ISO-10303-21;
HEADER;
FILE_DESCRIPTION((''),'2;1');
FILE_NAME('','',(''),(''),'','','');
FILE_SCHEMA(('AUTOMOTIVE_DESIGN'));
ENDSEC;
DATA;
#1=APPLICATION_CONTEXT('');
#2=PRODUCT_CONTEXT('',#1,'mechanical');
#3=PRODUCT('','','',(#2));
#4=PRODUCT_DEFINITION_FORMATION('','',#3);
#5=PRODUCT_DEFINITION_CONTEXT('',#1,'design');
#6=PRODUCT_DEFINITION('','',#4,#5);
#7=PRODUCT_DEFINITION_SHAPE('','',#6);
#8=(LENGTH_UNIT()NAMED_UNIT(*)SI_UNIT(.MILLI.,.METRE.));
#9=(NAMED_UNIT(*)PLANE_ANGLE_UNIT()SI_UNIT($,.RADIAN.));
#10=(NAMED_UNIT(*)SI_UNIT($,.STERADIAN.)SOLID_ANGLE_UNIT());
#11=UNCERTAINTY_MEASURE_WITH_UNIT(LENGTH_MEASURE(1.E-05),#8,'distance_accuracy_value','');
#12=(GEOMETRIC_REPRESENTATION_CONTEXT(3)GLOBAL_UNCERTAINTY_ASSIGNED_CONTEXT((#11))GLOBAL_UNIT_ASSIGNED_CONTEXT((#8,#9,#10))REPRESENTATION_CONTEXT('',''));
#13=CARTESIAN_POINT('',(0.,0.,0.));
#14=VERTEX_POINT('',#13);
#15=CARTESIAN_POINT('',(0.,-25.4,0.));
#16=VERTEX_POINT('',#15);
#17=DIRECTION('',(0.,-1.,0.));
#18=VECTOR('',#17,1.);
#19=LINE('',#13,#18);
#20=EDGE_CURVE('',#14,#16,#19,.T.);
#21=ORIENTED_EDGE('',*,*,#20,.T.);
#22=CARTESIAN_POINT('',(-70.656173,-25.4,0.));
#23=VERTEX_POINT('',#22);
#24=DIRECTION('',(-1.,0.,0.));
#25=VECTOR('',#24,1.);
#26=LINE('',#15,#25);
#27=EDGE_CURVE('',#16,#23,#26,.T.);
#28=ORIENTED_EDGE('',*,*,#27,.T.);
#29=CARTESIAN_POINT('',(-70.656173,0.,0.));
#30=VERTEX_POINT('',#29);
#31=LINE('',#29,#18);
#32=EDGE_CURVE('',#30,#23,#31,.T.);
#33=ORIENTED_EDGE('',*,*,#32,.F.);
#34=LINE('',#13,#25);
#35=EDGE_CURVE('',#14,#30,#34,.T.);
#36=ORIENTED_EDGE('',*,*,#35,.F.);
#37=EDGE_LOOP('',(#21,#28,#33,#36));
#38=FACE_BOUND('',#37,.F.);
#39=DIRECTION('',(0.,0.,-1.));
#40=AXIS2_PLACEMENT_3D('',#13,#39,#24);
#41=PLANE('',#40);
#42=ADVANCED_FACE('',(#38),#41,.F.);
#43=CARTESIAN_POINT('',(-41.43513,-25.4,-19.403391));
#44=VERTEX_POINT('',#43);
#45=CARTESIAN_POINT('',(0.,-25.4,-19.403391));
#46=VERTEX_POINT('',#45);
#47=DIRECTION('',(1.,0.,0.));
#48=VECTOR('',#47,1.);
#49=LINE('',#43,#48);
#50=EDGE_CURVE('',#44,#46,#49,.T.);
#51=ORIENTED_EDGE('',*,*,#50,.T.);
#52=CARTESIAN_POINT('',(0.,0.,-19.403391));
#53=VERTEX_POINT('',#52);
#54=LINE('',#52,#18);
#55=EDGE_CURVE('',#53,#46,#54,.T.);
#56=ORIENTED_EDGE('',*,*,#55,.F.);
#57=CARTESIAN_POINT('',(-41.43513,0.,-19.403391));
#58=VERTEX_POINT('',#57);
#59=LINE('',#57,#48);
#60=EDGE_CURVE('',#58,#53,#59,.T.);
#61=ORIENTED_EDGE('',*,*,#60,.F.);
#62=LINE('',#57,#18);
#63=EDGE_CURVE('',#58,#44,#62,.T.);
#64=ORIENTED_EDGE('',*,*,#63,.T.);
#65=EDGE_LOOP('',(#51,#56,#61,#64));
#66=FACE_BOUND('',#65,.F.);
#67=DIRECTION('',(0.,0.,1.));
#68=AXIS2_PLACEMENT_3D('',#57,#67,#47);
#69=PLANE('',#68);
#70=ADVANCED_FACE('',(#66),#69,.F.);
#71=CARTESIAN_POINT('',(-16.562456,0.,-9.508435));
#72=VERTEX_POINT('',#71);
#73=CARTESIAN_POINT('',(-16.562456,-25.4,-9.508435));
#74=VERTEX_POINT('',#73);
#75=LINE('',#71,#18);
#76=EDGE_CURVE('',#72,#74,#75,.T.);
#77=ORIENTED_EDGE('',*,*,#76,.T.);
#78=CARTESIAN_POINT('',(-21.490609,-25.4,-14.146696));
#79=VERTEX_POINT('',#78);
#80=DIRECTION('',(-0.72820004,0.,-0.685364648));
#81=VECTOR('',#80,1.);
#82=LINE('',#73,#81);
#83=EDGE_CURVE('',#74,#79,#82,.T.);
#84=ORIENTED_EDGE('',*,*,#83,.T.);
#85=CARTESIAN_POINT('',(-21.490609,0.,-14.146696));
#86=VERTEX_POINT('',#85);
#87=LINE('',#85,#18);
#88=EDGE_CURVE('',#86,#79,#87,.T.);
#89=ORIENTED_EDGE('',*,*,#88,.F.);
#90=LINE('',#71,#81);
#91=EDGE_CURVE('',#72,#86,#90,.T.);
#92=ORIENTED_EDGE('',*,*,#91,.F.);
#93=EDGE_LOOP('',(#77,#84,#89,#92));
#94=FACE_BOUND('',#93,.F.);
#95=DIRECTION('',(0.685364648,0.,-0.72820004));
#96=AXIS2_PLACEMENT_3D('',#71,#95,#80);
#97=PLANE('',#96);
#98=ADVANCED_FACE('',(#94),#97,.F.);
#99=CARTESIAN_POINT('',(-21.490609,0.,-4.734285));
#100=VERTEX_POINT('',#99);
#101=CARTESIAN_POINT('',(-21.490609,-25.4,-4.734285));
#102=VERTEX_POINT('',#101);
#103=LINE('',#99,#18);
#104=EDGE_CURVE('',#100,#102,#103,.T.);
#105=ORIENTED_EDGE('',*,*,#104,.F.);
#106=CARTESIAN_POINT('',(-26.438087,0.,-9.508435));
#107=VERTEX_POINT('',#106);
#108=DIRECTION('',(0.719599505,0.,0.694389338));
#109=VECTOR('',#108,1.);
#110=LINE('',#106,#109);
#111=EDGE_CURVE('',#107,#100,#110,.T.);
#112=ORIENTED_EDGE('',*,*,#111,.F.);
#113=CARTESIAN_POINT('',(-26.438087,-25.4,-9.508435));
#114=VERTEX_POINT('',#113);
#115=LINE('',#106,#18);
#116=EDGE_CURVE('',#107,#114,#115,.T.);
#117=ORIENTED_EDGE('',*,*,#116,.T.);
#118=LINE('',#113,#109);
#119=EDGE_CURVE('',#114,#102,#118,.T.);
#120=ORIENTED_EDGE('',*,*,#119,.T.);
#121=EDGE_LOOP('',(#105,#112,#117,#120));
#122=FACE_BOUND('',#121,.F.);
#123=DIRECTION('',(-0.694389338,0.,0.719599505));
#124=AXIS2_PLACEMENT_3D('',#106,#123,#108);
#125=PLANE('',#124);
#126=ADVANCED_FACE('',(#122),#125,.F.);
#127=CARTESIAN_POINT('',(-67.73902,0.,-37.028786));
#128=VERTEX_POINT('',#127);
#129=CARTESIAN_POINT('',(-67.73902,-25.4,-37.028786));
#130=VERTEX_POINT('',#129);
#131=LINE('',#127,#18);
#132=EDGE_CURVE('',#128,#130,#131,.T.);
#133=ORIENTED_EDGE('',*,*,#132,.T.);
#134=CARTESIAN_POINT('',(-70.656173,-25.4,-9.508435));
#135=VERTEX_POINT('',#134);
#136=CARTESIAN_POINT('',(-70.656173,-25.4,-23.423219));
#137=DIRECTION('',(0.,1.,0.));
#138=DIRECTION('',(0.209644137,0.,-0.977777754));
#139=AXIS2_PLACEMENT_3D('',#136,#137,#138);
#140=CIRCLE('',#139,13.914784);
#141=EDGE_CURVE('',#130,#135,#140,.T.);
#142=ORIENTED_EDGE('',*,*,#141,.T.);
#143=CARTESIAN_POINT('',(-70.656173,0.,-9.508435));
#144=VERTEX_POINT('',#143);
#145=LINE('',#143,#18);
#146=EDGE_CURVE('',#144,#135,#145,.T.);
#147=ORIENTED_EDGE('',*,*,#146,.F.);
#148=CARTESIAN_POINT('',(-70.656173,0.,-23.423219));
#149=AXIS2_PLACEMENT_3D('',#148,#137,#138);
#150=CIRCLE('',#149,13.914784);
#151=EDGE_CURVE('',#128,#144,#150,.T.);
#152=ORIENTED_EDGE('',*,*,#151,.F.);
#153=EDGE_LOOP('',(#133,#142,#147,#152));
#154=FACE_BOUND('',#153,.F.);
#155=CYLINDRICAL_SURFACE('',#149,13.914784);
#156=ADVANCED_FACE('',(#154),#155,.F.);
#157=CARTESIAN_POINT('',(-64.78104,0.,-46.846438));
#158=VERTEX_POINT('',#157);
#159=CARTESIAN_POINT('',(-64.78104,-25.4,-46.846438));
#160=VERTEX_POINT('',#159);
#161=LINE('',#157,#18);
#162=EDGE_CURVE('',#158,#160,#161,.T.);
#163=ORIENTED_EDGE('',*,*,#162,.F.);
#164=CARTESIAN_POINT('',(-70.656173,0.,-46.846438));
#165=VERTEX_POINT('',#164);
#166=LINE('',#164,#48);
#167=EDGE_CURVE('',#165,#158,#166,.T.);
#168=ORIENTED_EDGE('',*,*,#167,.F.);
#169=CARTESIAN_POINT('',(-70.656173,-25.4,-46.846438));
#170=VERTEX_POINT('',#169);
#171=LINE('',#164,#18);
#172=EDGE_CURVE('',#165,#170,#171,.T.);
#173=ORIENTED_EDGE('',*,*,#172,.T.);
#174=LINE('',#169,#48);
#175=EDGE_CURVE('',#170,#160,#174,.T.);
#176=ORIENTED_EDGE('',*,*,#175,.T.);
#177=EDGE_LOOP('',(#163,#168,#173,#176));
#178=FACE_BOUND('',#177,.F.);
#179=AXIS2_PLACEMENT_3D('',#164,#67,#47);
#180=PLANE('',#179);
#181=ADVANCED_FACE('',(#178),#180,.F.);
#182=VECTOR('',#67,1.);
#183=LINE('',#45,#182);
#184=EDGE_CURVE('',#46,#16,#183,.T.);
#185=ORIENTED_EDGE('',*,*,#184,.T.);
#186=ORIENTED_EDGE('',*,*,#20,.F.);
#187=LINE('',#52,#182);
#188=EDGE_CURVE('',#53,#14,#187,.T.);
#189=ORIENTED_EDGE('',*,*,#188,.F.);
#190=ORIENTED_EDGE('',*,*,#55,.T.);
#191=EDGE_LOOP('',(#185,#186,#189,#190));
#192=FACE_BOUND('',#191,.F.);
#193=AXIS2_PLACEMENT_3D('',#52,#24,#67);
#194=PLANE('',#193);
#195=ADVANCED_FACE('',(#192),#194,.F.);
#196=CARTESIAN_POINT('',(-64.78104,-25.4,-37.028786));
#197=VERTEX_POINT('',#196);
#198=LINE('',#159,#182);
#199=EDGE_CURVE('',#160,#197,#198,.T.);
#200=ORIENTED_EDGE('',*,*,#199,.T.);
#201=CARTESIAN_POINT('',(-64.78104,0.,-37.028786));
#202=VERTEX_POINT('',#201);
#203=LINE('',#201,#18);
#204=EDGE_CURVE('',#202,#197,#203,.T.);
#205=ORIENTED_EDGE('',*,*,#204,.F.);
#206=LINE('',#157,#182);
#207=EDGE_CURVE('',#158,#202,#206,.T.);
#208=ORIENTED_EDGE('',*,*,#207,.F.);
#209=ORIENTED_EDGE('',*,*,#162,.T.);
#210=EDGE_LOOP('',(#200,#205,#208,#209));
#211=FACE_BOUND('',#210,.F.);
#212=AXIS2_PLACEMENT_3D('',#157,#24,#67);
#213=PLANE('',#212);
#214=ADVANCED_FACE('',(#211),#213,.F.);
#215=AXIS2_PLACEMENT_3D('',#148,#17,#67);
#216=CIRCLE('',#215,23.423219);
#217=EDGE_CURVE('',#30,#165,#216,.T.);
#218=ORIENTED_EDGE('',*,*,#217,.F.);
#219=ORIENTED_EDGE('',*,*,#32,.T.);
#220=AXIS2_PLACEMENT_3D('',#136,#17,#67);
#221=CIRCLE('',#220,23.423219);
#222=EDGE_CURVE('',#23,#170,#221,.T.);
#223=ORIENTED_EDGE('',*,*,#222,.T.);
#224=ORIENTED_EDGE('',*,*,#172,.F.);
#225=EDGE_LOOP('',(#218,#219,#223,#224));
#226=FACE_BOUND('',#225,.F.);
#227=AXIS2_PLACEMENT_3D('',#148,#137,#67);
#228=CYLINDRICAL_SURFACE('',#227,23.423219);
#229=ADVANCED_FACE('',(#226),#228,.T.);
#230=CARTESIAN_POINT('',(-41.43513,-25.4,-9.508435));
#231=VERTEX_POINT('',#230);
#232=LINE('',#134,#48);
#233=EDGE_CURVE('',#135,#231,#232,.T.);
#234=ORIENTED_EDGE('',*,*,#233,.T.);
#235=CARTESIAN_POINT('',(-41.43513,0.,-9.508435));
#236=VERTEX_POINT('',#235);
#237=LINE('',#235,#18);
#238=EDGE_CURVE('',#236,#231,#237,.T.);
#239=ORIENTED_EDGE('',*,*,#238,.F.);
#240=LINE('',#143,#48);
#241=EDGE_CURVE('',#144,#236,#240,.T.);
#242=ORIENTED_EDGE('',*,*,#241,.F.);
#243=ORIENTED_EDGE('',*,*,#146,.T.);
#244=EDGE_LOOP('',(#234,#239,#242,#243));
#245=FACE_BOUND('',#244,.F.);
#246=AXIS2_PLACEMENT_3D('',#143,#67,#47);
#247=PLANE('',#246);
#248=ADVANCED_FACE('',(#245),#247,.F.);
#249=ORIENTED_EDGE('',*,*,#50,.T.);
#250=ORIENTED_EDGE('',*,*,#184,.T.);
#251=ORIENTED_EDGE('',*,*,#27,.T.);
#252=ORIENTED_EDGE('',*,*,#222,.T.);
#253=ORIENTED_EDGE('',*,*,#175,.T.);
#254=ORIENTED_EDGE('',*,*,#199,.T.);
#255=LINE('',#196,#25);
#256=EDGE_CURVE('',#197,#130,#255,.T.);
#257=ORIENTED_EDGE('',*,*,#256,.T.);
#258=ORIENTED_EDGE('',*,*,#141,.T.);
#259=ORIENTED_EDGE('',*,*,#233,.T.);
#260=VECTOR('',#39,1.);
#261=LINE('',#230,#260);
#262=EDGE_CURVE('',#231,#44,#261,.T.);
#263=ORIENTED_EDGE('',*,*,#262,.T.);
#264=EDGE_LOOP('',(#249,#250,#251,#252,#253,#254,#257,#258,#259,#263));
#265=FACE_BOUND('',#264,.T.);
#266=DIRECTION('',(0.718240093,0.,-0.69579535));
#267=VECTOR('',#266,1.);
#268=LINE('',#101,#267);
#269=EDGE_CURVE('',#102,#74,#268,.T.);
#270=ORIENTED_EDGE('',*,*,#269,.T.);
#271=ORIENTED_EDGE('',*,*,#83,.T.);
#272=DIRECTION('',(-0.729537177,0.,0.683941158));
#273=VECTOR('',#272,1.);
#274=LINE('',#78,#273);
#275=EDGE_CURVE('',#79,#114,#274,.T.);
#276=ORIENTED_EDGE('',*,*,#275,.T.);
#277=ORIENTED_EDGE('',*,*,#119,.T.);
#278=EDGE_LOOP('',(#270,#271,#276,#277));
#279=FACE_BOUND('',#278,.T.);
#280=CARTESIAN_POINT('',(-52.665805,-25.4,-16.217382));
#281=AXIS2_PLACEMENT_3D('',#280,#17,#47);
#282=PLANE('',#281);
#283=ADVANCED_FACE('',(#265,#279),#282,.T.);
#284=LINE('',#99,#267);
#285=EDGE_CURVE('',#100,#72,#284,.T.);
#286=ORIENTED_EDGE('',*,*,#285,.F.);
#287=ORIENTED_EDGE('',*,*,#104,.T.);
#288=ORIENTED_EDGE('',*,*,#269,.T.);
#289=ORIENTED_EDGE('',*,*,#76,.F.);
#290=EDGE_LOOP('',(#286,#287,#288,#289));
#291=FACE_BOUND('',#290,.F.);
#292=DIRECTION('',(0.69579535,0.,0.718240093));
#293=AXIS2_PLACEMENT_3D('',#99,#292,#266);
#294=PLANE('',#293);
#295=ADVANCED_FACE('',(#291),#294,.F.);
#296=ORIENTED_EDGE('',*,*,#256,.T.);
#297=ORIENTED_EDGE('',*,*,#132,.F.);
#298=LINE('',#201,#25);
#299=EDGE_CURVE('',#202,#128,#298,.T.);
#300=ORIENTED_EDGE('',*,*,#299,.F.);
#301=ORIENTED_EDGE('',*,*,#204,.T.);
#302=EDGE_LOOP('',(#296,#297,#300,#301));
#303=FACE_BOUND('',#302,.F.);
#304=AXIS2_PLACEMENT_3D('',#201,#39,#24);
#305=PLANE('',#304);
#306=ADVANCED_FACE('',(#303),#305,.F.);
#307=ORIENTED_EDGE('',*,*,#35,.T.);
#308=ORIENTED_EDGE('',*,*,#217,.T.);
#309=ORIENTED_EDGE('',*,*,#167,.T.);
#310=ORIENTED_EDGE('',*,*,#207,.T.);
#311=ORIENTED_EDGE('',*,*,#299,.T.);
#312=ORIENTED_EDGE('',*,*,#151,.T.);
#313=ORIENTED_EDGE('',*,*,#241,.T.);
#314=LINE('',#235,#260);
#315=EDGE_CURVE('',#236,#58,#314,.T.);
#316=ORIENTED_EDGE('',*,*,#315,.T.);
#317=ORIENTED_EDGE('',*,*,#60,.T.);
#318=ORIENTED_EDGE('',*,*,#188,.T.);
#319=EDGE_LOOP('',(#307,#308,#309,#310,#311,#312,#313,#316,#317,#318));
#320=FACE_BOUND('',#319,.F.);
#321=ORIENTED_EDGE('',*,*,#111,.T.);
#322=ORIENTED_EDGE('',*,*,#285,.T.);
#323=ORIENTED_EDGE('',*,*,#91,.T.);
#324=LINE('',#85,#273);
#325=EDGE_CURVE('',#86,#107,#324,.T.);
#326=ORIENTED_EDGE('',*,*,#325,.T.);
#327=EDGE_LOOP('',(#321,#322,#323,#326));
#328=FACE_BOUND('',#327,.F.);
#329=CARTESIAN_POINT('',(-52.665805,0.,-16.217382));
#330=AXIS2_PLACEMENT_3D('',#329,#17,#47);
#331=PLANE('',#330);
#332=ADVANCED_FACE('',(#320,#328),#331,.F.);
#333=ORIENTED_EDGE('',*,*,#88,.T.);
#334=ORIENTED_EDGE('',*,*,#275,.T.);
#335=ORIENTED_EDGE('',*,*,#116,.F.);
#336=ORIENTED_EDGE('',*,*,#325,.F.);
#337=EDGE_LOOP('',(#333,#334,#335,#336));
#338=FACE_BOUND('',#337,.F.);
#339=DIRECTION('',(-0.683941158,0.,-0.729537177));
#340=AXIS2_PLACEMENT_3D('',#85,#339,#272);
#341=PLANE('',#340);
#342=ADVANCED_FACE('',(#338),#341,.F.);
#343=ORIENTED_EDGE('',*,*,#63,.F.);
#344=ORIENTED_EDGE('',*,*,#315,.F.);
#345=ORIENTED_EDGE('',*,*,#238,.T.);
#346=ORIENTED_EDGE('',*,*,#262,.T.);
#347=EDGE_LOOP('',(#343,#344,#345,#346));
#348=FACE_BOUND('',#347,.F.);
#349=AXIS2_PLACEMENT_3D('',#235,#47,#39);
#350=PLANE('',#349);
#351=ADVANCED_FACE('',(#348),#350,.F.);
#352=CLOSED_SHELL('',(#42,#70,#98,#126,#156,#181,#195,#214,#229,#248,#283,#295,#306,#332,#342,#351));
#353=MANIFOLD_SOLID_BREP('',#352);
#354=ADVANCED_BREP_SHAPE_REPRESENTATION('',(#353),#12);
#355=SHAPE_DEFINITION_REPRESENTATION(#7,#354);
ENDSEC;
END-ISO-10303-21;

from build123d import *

# Parameters (mm, degrees)
F1_DEPTH = 25.4


with BuildPart() as f1:
    # F0 (on Front) → F1 (new body)
    with BuildSketch(Plane.XZ):
        with BuildLine():
            Line((0, -9.508435), (0, 0))
            Line((0, 0), (-70.656173, 0))
            ThreePointArc((-70.656173, 0), (-94.079392, -23.423219), (-70.656173, -46.846438))
            Line((-70.656173, -46.846438), (-64.78104, -46.846438))
            Line((-64.78104, -46.846438), (-64.78104, -37.028786))
            Line((-64.78104, -37.028786), (-67.73902, -37.028786))
            ThreePointArc((-67.73902, -37.028786), (-84.493437, -24.889967), (-70.656173, -9.508435))
            Line((-70.656173, -9.508435), (-41.43513, -9.508435))
            Line((-41.43513, -9.508435), (-41.43513, -19.403391))
            Line((-41.43513, -19.403391), (0, -19.403391))
            Line((0, -19.403391), (0, -9.508435))
        make_face()
        Polygon((-26.438087, -9.508435), (-21.490609, -4.734285), (-16.562456, -9.508435), (-21.490609, -14.146696), align=None, mode=Mode.SUBTRACT)
    extrude(amount=F1_DEPTH)


solid = f1.part
